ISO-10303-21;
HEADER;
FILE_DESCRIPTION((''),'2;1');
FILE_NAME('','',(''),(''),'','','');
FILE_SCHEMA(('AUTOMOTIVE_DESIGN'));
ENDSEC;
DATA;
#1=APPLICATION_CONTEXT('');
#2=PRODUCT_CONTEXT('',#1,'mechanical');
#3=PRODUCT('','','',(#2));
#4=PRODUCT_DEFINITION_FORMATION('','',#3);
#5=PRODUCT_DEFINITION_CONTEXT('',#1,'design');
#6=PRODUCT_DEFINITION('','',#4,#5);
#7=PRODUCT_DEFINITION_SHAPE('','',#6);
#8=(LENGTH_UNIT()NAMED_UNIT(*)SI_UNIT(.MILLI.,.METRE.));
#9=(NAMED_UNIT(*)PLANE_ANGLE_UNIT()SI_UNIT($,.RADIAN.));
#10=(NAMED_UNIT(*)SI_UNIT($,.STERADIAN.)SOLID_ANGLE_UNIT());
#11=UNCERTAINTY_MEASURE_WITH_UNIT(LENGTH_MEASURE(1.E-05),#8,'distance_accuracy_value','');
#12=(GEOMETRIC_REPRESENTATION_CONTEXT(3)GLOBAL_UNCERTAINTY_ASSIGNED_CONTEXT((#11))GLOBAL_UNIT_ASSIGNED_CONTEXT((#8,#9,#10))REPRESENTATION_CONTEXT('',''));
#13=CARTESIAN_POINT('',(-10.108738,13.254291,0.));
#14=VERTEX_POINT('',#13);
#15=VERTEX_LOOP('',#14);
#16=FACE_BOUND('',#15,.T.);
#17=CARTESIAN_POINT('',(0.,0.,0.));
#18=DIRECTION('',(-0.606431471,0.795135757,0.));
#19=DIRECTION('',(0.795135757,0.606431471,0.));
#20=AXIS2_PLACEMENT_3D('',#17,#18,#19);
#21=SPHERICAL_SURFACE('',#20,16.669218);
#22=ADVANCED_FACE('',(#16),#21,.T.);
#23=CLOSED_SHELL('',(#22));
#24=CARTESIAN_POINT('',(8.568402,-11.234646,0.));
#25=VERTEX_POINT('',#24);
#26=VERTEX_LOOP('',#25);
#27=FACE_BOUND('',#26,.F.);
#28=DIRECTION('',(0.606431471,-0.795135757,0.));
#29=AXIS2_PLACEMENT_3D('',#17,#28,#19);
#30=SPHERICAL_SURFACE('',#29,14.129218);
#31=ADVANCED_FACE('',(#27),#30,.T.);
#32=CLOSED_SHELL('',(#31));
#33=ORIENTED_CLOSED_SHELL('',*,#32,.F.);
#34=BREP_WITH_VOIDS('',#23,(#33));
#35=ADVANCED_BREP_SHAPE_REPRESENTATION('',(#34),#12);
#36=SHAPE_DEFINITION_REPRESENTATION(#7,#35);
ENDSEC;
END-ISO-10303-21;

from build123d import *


with BuildPart() as f1:
    # F0 (on Top) → F1 (revolve)
    with BuildSketch(Plane.XY):
        with BuildLine():
            ThreePointArc((-8.568402216, 11.234646136), (11.234646136, 8.568402216), (8.568402216, -11.234646136))
            Line((8.568402216, -11.234646136), (10.1087381515, -13.2542909577))
            ThreePointArc((10.1087381515, -13.2542909577), (13.2542909577, 10.1087381515), (-10.1087381515, 13.2542909577))
            Line((-10.1087381515, 13.2542909577), (-8.568402216, 11.234646136))
        make_face()
    revolve(axis=Axis((-9.3385701837, 12.2444685469, 0), (-0.6064314707, 0.7951357566, 0)))


solid = f1.part
